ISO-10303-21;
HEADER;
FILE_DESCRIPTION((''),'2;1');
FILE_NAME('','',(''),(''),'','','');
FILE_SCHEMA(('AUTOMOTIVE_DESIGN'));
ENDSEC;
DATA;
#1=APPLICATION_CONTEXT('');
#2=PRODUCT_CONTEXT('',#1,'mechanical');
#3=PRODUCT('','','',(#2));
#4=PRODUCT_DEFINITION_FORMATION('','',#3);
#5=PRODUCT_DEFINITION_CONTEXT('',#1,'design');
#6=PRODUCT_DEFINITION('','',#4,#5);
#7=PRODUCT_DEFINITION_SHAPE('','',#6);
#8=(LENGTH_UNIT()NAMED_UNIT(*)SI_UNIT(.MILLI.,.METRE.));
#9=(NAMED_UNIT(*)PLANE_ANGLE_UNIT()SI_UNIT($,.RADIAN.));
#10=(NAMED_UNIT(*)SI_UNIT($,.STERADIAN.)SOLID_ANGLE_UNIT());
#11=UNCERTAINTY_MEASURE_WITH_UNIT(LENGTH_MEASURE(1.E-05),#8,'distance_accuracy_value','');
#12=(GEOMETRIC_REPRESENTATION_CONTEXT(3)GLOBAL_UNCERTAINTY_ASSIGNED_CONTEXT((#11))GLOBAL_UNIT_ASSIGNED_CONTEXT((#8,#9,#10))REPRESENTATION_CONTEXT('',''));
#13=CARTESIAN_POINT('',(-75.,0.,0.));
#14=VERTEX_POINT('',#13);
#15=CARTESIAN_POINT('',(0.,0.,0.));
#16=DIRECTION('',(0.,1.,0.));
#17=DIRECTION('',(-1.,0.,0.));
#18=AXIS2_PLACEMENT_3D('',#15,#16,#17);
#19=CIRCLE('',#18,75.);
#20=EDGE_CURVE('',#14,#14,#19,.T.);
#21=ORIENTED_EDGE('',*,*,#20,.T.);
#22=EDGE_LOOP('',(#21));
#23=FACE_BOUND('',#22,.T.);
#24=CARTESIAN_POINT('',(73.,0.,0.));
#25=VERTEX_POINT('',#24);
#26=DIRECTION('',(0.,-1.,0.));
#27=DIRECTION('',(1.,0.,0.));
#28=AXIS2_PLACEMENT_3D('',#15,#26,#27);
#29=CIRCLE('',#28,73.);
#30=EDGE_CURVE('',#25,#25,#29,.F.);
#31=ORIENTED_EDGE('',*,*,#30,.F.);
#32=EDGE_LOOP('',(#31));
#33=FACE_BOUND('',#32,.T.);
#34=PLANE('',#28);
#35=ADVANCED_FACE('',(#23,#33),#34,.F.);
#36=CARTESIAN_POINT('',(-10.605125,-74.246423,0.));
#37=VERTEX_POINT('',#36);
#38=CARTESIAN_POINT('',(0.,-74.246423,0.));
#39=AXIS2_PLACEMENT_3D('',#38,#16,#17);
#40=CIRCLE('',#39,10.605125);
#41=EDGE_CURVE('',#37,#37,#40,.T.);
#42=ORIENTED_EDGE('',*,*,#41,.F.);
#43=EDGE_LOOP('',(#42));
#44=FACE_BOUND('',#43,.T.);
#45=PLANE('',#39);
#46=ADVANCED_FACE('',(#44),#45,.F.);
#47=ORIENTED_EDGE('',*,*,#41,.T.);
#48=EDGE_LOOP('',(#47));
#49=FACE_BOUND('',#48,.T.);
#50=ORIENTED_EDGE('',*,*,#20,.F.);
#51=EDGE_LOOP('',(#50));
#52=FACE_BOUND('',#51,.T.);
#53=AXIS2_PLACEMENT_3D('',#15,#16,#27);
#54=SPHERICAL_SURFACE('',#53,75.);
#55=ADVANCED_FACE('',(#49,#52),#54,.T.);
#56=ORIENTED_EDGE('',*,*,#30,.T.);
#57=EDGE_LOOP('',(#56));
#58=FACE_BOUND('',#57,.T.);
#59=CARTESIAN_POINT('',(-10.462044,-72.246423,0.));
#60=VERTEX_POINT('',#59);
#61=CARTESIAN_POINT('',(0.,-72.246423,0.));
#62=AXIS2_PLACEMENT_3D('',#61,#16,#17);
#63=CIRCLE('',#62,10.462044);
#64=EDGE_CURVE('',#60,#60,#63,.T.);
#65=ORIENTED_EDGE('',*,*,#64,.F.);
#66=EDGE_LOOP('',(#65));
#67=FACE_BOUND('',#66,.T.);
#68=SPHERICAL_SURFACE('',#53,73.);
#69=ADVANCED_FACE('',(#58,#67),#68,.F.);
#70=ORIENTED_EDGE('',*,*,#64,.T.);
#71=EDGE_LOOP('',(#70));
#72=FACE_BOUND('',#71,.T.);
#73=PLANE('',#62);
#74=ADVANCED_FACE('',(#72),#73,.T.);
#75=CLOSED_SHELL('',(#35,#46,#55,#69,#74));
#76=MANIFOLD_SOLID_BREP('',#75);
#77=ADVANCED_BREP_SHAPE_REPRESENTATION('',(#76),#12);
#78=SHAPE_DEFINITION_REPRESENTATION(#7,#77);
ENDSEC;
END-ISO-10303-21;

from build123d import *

# Parameters (mm, degrees)
SHELL_1_T = -2


with BuildPart() as part:
    # 草图1 → 旋转1 (revolve)
    with BuildSketch(Plane.XY, mode=Mode.PRIVATE) as revolve_1_sk:
        with BuildLine():
            Line((0, 0), (75, 0))
            ThreePointArc((75, 0), (56.658557963, -49.140694028), (10.605125079, -74.246422958))
            Line((10.605125079, -74.246422958), (0, -74.246422958))
            Line((0, -74.246422958), (0, 0))
        make_face()
    revolve(revolve_1_sk.sketch.rotate(Axis((0, 0, 0), (0, -1, 0)), 180), axis=Axis((0, 0, 0), (0, -1, 0)))

    # 抽壳1
    shell_1_openings = [part.faces().sort_by_distance(p)[0] for p in [
        (0, 0, 0),
    ]]
    offset(amount=SHELL_1_T, openings=shell_1_openings, kind=Kind.INTERSECTION)


solid = part.part
